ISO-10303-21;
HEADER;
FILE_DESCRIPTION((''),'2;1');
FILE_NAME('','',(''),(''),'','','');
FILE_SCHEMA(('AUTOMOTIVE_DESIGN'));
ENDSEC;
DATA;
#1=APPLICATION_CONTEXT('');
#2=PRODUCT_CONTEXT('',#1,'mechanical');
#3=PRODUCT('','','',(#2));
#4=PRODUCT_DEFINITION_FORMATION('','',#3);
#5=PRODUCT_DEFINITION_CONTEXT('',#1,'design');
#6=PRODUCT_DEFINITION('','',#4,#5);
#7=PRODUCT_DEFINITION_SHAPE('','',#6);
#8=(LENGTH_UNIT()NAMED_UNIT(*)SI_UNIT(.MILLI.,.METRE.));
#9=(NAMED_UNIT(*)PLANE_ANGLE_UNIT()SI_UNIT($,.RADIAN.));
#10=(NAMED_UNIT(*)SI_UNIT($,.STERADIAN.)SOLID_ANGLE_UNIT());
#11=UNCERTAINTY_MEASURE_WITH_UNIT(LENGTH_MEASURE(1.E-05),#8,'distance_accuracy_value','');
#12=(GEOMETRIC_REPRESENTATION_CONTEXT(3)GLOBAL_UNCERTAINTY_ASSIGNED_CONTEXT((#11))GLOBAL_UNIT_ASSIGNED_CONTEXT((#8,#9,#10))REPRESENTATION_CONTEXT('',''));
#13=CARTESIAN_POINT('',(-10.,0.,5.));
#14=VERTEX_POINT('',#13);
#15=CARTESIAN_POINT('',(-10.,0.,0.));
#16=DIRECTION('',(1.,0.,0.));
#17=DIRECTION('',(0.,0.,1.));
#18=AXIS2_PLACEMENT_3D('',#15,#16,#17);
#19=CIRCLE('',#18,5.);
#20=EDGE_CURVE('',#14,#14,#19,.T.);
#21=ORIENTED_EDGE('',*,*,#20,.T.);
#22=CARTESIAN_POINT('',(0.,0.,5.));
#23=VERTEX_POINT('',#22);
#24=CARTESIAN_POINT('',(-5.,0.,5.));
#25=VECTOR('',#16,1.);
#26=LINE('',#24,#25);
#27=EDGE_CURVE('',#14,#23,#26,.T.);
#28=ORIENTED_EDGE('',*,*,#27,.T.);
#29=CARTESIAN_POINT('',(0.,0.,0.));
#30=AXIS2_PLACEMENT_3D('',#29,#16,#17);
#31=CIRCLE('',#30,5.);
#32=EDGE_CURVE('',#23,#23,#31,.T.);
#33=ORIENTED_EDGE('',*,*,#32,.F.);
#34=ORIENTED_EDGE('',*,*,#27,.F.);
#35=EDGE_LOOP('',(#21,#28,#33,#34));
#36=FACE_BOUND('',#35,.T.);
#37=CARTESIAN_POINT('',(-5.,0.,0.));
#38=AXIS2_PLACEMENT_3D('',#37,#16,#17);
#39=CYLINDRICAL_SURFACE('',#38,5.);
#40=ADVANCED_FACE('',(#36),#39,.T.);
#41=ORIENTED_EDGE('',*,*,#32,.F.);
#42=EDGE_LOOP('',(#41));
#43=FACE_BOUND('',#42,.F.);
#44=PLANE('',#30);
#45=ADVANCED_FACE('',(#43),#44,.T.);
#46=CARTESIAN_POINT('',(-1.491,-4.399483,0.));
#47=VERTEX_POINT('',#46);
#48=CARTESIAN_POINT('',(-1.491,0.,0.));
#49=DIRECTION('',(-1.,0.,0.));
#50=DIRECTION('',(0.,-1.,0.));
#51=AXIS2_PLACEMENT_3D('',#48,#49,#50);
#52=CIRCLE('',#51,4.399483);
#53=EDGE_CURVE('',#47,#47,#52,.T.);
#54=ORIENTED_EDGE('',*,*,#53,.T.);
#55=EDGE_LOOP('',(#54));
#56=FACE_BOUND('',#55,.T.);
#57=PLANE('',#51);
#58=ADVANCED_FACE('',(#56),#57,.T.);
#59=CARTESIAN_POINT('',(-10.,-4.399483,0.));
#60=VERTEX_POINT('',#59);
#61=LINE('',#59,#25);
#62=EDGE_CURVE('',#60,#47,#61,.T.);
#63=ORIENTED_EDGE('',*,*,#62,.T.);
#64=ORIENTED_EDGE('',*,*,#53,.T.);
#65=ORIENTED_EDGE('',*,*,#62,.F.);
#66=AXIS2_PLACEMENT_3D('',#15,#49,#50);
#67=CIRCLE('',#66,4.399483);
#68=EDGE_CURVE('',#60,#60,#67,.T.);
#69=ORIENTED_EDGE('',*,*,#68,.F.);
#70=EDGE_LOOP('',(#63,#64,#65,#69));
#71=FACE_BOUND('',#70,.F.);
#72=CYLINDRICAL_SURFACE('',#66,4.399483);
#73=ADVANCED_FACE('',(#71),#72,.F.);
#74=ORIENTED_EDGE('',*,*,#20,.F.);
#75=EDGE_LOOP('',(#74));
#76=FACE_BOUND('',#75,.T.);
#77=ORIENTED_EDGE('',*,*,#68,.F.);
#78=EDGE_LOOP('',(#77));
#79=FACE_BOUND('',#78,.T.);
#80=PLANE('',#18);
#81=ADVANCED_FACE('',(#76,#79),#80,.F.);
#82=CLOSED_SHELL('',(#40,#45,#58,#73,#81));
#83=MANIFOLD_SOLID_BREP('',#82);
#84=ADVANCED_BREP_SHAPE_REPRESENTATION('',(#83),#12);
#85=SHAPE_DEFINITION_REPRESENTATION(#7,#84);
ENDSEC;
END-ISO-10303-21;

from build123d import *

# Parameters (mm, degrees)
F0_W     = 10
F0_H     = 5
F2_R     = 4.399483
F3_DEPTH = 8.509


with BuildPart() as f1:
    # F0 (on Front) → F1 (revolve)
    with BuildSketch(Plane.XZ):
        with Locations((-5, 2.5)):
            Rectangle(F0_W, F0_H)
    revolve(axis=Axis((-5, 0, 0), (1, 0, 0)))

    # F2 (on face) → F3 (cut)
    with BuildSketch(Plane(origin=(-10, 0, 0), x_dir=(0, -1, 0), z_dir=(-1, 0, 0))):
        Circle(F2_R)
    extrude(amount=-F3_DEPTH, mode=Mode.SUBTRACT)


solid = f1.part
